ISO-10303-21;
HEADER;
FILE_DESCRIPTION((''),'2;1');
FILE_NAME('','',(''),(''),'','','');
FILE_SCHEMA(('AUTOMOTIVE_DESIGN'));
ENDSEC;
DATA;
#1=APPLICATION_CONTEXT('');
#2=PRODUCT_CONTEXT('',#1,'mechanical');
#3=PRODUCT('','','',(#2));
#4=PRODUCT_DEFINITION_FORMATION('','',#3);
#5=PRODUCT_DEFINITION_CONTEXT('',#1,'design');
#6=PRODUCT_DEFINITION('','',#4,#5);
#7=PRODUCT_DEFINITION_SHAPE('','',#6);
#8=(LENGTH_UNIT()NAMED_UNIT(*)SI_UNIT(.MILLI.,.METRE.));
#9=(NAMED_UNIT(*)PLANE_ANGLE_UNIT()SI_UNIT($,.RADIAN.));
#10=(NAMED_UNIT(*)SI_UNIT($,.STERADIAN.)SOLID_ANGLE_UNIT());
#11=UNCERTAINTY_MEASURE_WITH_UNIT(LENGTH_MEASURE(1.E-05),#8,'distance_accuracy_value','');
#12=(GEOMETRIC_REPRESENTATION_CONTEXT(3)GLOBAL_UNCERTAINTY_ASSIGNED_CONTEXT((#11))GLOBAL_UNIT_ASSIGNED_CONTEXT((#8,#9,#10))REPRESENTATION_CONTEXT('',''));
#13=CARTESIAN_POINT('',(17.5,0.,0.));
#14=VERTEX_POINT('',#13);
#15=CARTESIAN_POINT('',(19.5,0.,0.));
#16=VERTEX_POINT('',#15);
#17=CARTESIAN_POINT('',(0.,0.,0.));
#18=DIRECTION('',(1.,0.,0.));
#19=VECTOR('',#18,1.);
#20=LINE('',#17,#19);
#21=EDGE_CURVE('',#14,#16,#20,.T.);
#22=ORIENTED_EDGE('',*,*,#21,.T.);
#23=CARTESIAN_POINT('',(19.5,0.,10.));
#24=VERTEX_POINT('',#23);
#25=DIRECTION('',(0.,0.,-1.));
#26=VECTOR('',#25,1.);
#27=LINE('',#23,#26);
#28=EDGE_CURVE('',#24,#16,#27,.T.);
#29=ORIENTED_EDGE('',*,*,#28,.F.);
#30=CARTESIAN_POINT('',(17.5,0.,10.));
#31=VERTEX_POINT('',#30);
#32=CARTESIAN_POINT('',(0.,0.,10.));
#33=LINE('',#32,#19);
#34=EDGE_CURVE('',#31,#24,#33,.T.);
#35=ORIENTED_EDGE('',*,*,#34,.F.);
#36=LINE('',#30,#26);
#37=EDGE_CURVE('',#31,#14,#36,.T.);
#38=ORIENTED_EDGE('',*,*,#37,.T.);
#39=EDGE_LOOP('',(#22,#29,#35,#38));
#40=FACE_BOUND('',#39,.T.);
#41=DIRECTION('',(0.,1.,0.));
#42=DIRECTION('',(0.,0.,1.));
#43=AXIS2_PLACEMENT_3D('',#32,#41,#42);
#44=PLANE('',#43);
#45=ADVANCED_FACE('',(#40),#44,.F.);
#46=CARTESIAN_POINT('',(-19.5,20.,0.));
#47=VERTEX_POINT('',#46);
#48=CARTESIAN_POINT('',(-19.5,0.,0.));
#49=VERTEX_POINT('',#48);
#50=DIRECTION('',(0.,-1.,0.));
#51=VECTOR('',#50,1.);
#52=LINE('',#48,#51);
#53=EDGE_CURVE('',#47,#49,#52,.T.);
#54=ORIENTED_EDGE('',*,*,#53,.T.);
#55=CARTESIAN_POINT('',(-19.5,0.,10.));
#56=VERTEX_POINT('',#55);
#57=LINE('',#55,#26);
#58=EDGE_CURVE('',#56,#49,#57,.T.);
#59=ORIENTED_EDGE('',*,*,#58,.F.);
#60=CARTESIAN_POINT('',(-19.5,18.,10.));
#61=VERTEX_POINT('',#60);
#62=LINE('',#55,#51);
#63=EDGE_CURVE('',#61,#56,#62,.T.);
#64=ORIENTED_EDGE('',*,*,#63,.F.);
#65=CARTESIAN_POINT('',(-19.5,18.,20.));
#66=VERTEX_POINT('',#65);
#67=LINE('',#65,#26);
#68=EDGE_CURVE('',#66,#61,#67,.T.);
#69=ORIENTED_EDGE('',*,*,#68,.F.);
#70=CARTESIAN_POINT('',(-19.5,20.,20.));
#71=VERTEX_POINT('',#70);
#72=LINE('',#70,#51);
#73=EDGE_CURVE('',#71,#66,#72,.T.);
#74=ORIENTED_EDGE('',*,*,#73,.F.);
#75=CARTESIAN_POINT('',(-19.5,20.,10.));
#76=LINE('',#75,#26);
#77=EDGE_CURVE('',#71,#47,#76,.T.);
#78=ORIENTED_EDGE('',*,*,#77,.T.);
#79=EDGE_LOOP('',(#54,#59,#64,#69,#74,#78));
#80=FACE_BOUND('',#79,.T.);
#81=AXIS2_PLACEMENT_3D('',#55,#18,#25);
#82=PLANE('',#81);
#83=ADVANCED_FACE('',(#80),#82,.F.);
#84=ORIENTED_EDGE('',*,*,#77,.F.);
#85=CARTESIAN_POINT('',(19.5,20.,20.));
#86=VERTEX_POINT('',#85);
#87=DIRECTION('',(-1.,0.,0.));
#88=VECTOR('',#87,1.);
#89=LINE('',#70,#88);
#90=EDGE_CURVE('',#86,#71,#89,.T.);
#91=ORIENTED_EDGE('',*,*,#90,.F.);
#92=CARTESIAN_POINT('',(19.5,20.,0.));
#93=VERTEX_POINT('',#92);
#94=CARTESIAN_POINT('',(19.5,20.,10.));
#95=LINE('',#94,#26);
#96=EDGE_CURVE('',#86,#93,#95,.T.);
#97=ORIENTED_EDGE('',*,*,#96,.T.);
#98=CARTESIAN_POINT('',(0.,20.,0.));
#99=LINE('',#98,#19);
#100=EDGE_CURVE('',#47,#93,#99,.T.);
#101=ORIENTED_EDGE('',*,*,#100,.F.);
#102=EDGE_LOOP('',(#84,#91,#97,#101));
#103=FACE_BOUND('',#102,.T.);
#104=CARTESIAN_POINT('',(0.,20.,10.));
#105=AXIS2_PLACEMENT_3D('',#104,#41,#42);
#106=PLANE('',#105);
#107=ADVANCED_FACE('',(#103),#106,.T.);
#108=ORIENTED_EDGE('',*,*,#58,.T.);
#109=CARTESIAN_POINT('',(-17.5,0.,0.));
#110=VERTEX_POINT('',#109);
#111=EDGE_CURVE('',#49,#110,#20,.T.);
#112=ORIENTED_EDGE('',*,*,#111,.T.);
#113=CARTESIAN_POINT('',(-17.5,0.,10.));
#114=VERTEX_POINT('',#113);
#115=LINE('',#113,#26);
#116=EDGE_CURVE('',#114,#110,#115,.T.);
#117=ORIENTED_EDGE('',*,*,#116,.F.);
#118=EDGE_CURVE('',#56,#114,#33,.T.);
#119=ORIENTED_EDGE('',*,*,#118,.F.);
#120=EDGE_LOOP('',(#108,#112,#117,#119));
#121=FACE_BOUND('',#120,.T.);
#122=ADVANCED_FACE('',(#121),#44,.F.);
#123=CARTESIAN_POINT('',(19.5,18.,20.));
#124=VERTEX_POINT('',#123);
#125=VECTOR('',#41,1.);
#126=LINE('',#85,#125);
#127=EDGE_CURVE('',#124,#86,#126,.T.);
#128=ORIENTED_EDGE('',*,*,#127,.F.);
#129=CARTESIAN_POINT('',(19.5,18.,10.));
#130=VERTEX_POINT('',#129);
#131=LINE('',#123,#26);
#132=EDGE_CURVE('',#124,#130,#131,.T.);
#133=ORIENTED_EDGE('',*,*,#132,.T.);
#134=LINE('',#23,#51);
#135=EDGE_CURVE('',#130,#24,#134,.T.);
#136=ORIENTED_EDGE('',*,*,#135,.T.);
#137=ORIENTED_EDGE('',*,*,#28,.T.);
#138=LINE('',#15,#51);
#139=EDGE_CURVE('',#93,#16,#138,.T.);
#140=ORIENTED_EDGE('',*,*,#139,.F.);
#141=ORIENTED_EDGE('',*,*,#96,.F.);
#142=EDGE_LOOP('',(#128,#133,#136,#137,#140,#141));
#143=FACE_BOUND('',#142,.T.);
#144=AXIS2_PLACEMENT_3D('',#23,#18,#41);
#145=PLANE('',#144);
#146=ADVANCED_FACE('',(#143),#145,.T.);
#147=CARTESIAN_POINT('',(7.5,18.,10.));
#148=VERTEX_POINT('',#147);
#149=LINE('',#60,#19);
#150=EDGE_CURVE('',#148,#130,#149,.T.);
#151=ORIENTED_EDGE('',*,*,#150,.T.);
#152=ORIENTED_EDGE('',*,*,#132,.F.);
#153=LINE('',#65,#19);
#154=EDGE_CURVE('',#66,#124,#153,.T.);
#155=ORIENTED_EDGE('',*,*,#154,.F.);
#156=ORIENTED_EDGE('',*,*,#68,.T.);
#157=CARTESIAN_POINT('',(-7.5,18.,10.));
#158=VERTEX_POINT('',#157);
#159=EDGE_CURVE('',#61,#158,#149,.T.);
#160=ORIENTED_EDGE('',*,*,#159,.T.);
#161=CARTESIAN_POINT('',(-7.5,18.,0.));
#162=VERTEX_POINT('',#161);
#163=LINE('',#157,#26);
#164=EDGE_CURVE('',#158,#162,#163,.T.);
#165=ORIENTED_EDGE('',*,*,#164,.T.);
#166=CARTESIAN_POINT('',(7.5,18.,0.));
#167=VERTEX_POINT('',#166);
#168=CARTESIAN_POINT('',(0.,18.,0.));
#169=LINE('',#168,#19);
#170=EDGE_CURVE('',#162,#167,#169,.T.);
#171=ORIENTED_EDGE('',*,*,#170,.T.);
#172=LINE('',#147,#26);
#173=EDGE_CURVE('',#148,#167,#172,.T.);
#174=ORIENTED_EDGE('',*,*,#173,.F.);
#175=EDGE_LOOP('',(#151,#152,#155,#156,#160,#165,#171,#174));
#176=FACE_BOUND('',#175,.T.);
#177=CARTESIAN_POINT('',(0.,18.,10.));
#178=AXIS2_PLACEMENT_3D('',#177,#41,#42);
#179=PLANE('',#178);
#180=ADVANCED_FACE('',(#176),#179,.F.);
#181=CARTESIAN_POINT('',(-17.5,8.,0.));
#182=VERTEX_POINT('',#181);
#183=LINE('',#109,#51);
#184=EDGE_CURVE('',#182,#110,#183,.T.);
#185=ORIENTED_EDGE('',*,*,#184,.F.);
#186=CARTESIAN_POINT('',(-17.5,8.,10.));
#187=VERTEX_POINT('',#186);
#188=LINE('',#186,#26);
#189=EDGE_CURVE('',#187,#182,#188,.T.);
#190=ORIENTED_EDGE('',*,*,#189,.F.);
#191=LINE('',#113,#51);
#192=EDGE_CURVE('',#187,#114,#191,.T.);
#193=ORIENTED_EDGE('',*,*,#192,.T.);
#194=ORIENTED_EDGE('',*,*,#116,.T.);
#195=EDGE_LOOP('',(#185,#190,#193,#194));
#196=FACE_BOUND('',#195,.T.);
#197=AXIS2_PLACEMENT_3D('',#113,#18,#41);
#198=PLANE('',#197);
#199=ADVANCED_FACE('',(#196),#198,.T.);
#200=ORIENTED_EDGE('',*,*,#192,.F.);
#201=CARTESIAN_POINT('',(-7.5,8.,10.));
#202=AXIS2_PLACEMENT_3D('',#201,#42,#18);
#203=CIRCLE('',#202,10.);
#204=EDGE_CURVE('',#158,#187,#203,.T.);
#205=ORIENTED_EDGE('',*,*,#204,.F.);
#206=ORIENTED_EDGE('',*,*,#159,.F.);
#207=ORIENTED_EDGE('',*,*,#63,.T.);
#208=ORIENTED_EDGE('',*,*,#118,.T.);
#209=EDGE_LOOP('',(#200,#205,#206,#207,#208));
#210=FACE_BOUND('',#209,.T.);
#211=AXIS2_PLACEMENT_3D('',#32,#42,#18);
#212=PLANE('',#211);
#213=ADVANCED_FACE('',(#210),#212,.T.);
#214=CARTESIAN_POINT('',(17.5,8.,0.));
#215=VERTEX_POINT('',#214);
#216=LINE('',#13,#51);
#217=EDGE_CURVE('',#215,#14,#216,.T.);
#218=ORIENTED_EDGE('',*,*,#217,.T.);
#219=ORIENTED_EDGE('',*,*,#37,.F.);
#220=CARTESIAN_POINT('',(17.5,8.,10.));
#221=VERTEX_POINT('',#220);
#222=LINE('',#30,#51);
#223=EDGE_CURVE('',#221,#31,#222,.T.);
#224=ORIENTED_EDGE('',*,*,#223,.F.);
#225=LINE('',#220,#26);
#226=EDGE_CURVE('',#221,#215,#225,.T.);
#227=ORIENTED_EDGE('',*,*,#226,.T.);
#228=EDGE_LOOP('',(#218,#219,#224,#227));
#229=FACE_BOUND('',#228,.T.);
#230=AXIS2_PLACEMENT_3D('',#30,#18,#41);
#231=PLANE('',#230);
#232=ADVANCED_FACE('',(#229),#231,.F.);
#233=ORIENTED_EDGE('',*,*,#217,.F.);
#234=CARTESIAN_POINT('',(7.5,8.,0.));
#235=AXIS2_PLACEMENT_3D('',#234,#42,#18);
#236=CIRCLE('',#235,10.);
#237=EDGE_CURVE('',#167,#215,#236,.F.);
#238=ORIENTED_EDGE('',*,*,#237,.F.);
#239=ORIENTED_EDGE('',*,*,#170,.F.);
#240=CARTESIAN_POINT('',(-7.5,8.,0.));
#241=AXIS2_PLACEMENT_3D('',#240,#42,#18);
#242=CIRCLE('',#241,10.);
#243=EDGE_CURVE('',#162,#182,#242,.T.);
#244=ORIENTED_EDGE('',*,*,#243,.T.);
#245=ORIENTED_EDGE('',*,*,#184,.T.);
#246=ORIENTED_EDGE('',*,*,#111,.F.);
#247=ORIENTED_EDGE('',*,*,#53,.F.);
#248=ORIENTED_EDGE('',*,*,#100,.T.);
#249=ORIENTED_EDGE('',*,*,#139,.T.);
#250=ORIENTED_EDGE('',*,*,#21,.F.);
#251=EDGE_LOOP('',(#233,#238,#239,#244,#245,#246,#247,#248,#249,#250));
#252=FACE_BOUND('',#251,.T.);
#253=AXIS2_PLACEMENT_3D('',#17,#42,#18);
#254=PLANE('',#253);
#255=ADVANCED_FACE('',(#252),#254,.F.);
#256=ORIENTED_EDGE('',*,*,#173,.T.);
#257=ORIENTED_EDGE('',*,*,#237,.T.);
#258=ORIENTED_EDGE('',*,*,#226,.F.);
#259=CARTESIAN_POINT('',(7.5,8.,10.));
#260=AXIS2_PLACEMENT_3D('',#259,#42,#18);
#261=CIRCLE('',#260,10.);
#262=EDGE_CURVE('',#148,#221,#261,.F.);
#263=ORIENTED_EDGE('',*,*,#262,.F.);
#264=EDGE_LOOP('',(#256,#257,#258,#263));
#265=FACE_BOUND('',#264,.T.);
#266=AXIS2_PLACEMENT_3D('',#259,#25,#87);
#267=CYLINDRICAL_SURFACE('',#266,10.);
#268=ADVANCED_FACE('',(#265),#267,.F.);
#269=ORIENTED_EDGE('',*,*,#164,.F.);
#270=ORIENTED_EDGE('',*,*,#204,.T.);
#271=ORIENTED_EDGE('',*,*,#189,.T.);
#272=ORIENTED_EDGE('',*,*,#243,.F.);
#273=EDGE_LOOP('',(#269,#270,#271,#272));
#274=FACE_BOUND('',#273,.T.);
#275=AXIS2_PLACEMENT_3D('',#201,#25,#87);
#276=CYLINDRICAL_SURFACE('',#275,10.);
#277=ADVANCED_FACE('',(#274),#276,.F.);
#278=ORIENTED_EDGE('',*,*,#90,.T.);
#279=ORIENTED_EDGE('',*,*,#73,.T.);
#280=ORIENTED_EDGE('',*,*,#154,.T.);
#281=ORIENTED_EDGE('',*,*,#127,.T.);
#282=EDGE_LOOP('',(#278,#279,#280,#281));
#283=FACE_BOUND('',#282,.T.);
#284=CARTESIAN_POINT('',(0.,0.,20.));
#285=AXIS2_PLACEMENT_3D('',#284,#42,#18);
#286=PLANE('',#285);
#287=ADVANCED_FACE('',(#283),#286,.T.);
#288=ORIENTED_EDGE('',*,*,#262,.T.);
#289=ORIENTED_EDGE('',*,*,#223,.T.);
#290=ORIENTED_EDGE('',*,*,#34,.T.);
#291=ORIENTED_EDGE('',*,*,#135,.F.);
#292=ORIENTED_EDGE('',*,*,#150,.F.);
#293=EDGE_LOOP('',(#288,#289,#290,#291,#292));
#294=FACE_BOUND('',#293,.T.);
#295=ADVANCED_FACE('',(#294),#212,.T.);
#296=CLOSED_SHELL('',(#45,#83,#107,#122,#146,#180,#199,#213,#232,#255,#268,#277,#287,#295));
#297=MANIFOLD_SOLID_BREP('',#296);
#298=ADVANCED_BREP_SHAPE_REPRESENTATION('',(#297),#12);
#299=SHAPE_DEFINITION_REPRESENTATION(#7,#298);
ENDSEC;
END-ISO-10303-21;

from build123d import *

# Parameters (mm, degrees)
BOSS_EXTRUDE1_DEPTH = 10
SKETCH2_W           = 39
SKETCH2_H           = 2
BOSS_EXTRUDE2_DEPTH = 10


with BuildPart() as part:
    # Sketch1 → Boss-Extrude1 (new body)
    with BuildSketch(Plane.XY):
        with BuildLine():
            Line((-19.5, 20), (-19.5, 0))
            Line((-19.5, 0), (-17.5, 0))
            Line((-17.5, 0), (-17.5, 8))
            ThreePointArc((-17.5, 8), (-14.571067812, 15.071067812), (-7.5, 18))
            Line((-7.5, 18), (7.5, 18))
            ThreePointArc((7.5, 18), (14.571067812, 15.071067812), (17.5, 8))
            Line((17.5, 8), (17.5, 0))
            Line((17.5, 0), (19.5, 0))
            Line((19.5, 0), (19.5, 20))
            Line((19.5, 20), (-19.5, 20))
        make_face()
    extrude(amount=BOSS_EXTRUDE1_DEPTH)

    # Sketch2 → Boss-Extrude2 (add)
    with BuildSketch(Plane.XY.offset(10)):
        with Locations((0, 19)):
            Rectangle(SKETCH2_W, SKETCH2_H)
    extrude(amount=BOSS_EXTRUDE2_DEPTH)


solid = part.part
